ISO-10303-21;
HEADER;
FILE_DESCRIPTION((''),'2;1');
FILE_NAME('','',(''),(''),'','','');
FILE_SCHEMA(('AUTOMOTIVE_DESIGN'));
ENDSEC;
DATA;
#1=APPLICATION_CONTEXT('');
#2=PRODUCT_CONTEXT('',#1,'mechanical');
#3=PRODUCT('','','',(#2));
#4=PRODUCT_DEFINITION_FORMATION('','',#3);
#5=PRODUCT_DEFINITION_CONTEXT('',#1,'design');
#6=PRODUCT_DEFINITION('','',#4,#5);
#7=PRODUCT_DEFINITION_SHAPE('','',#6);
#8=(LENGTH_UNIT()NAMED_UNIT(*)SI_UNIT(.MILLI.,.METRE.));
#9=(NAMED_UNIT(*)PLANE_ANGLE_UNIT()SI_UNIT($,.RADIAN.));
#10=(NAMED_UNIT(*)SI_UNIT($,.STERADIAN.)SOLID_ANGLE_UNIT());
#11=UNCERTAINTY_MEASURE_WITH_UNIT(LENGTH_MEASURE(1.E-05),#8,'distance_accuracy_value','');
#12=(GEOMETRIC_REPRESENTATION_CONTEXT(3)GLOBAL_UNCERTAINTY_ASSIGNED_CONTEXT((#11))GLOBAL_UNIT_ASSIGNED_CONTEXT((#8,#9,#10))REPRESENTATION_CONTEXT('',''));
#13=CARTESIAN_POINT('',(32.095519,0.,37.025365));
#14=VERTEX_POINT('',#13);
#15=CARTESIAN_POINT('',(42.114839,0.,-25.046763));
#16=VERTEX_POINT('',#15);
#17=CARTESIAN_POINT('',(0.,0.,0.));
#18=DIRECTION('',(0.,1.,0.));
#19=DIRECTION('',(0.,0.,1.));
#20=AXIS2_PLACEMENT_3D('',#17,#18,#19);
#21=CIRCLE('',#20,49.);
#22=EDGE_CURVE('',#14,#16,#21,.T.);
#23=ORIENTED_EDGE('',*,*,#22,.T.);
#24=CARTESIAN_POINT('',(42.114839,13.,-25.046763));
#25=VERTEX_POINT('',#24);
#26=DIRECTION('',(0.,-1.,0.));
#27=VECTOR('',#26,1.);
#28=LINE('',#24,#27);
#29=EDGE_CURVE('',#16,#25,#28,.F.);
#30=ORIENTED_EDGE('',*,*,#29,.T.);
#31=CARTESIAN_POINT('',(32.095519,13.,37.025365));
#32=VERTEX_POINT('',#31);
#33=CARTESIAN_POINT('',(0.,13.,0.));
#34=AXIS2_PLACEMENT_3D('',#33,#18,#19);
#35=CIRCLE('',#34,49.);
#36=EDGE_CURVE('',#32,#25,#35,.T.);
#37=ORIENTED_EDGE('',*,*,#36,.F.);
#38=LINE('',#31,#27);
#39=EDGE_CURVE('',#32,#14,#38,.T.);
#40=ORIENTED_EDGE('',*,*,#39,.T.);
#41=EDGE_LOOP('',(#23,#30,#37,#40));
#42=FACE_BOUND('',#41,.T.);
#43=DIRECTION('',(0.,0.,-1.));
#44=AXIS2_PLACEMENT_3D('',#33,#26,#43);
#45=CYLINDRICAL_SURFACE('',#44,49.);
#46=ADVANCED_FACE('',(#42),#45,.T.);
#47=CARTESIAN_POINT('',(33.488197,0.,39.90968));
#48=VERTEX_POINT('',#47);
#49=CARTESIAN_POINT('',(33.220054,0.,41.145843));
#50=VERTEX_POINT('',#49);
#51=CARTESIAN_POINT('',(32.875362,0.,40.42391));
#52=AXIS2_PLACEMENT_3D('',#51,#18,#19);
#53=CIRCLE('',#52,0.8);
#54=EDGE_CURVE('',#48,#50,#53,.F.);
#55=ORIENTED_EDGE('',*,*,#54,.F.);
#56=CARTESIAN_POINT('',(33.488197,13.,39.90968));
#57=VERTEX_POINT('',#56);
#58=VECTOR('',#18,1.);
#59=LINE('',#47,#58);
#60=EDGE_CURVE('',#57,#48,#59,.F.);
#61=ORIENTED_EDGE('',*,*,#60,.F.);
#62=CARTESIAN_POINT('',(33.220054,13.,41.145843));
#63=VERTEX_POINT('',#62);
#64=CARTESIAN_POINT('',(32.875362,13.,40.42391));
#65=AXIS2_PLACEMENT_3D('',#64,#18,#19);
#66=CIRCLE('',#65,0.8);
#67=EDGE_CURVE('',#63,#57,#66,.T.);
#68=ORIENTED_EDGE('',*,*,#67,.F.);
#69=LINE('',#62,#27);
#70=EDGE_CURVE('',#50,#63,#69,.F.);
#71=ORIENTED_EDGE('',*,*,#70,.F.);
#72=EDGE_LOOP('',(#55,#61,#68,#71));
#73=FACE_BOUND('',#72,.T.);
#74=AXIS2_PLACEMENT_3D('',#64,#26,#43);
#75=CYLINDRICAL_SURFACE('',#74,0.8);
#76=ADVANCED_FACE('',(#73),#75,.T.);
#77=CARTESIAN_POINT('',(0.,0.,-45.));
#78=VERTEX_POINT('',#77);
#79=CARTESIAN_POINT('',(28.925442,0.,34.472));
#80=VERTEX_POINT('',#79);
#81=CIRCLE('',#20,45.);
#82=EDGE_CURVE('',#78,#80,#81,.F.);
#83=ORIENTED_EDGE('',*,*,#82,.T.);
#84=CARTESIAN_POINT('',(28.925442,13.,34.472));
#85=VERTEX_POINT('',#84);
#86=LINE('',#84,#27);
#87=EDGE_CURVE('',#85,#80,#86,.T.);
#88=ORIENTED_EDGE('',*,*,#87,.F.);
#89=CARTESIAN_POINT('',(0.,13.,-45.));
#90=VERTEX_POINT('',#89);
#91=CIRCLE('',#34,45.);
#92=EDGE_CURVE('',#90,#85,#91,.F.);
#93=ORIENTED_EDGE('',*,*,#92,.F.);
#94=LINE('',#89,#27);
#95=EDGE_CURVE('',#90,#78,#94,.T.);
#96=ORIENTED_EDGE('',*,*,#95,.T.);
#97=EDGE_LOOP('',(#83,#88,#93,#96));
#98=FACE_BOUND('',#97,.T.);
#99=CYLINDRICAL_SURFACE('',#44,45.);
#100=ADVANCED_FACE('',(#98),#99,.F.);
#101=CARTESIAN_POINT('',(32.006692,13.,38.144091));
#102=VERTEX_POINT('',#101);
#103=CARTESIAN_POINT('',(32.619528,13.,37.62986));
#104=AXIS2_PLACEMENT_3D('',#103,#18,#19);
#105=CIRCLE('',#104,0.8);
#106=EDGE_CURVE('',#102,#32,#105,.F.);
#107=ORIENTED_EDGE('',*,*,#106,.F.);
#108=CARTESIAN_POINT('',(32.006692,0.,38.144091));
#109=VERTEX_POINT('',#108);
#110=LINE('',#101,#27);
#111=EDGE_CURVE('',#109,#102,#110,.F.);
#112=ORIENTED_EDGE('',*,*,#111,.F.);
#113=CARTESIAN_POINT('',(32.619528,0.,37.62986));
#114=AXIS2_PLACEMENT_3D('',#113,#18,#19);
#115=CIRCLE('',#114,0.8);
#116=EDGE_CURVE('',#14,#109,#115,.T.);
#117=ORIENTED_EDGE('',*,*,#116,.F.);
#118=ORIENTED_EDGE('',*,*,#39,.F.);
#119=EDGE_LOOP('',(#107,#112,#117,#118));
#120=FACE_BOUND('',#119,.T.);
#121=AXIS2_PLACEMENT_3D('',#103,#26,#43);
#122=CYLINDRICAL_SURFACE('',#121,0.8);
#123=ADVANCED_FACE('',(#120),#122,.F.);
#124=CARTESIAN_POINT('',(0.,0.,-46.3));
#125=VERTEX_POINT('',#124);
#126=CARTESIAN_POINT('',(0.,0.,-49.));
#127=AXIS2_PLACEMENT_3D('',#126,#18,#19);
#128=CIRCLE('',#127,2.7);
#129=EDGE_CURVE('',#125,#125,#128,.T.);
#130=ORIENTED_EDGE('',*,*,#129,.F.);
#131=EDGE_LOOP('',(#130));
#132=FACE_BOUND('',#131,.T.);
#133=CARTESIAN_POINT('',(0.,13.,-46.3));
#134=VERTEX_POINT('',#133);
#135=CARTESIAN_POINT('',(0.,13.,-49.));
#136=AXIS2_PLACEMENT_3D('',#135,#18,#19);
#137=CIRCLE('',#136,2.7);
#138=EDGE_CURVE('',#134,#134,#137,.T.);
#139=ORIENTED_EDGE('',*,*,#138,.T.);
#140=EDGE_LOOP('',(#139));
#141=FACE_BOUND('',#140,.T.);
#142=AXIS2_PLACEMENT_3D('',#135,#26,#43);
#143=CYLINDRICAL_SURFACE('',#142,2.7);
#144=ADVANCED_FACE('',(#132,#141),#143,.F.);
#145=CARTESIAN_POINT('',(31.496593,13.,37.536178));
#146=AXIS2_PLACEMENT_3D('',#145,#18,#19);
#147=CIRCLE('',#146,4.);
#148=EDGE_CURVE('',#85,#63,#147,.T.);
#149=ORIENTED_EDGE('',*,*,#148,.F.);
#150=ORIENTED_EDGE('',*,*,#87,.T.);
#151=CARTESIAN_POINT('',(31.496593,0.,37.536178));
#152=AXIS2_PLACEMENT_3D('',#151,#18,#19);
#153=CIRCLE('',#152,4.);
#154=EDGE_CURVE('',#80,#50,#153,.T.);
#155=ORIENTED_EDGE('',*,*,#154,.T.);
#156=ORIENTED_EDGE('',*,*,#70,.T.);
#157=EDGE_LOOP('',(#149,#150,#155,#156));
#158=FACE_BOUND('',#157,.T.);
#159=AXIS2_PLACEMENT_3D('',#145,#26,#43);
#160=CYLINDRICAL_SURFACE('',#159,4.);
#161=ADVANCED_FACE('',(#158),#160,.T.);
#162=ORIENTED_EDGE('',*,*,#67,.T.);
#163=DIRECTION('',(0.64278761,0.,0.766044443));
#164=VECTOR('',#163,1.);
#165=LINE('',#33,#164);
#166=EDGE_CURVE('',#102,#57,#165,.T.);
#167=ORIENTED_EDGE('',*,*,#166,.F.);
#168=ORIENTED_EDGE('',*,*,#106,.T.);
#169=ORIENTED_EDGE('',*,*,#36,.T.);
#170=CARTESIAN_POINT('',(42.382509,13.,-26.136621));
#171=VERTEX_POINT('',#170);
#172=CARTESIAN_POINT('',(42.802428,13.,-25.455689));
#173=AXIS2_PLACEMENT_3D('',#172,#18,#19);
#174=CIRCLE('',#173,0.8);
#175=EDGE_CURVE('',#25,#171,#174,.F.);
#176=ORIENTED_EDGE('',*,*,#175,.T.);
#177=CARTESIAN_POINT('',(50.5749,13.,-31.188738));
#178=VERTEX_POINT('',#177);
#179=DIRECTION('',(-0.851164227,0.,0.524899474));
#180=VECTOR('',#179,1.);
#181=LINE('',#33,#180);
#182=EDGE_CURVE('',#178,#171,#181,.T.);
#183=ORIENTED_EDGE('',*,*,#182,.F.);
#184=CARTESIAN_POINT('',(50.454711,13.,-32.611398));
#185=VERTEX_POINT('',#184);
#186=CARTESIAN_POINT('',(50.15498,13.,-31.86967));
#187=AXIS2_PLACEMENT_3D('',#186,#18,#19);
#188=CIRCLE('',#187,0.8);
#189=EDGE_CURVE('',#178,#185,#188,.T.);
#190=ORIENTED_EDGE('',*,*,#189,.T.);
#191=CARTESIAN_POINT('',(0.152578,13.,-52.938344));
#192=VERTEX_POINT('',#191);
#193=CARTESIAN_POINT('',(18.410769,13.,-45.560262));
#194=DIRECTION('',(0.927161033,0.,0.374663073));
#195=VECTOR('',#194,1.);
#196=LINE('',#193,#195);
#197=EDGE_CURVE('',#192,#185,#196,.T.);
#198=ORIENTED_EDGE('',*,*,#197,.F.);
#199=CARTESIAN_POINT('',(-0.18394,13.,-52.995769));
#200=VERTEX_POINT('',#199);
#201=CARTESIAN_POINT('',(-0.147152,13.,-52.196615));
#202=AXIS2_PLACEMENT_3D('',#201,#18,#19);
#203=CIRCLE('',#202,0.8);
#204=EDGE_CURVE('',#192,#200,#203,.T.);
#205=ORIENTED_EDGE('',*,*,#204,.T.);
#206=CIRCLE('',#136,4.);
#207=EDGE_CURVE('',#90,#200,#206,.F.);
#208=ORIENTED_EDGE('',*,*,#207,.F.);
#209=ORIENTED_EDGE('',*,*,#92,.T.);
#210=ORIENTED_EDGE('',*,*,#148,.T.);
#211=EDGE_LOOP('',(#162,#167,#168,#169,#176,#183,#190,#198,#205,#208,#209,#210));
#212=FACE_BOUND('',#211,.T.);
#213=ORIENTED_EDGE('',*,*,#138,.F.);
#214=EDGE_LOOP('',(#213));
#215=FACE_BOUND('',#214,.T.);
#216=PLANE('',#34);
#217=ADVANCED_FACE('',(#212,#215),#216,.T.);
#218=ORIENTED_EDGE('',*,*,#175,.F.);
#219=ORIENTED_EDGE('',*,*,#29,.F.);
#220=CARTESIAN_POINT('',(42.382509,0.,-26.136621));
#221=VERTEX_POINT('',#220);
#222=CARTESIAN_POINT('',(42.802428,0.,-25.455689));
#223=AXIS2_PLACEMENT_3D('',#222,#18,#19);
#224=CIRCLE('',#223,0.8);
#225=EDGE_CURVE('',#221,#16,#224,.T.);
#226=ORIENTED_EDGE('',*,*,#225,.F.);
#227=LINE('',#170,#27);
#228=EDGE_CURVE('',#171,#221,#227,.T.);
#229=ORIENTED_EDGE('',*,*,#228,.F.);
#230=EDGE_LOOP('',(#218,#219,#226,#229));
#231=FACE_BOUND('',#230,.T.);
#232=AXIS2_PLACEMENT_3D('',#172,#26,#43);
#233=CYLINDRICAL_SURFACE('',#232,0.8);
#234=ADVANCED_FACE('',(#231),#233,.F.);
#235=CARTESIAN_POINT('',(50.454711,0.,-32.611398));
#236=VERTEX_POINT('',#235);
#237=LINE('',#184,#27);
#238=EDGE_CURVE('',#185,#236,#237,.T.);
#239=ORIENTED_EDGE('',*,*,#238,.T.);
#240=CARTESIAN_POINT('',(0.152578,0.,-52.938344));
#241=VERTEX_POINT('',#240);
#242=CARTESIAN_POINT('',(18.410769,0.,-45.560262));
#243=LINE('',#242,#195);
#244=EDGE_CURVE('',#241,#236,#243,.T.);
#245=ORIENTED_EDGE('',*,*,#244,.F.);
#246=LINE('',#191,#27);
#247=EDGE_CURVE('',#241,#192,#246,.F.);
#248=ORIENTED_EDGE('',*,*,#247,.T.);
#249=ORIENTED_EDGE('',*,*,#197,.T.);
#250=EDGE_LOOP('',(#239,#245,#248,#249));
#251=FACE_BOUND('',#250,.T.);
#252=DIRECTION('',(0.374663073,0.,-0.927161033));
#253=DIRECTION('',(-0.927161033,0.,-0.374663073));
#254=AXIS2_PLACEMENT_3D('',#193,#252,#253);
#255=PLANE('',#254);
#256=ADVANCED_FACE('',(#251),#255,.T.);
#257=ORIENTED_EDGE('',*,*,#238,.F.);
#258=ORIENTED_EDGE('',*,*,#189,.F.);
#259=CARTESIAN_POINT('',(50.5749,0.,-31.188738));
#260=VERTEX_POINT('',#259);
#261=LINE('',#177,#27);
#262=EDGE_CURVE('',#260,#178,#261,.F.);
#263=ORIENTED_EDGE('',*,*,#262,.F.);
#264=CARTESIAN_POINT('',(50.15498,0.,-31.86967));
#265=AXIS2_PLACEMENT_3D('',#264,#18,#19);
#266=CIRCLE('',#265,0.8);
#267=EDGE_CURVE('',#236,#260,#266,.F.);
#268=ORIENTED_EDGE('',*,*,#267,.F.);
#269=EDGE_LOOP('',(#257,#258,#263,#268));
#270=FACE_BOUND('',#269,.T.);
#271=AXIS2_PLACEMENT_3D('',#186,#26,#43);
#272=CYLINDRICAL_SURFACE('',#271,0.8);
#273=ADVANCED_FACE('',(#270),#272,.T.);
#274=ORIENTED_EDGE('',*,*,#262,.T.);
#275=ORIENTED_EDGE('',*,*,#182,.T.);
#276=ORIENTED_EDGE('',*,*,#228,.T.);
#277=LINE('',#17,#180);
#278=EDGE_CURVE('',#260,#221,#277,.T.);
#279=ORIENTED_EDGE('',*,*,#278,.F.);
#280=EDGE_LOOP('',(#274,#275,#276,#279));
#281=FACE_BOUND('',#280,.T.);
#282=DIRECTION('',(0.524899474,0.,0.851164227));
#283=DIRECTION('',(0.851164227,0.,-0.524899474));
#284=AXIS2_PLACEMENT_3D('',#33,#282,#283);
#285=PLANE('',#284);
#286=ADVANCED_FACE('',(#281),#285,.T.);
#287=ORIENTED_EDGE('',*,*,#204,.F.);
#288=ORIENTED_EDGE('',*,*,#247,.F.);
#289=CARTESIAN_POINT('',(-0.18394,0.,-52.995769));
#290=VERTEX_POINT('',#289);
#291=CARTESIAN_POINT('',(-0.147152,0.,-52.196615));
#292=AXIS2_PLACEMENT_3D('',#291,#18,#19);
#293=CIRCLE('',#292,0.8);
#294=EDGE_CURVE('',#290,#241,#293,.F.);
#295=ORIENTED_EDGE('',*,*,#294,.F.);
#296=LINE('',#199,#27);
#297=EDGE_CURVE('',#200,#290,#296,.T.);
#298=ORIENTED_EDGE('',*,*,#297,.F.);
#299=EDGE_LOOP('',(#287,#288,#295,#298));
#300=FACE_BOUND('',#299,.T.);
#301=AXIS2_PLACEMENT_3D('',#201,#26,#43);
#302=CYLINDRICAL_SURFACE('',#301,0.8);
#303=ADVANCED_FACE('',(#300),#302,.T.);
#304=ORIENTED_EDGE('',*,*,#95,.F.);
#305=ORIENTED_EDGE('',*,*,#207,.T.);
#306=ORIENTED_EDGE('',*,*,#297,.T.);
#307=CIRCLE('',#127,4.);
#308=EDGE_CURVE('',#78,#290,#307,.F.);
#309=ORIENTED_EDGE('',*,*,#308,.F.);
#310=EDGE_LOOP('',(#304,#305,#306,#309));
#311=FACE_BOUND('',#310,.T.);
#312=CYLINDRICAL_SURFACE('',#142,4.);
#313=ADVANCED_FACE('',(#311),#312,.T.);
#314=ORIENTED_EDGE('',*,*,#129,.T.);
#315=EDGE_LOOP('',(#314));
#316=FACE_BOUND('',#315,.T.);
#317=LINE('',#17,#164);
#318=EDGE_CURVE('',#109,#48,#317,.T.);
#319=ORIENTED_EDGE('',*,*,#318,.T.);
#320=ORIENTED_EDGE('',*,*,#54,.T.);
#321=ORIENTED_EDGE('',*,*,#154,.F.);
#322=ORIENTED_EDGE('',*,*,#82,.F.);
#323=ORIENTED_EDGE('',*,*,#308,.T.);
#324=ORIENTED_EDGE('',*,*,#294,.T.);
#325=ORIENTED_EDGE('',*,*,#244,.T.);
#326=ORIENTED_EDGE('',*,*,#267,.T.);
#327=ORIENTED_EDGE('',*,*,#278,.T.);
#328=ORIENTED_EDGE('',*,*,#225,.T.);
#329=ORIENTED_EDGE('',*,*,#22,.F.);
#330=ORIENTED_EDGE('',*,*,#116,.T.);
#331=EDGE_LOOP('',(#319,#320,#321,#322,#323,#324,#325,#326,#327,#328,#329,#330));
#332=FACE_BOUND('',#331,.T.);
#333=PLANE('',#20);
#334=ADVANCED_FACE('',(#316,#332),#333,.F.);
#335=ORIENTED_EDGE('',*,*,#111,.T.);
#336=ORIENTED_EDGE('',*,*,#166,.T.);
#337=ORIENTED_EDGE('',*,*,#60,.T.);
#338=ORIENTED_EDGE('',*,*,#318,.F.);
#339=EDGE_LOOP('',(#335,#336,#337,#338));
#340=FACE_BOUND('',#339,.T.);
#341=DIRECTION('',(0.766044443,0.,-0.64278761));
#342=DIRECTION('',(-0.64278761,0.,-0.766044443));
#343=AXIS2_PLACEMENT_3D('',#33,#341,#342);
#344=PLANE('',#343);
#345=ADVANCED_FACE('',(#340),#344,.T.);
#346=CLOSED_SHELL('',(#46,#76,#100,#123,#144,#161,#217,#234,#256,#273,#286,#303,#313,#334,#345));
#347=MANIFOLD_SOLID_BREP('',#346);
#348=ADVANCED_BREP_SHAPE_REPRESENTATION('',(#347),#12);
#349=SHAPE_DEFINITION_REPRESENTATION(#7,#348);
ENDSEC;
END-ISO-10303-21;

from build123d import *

# Parameters (mm, degrees)
SKETCH1_R           = 2.7
BOSS_EXTRUDE1_DEPTH = 13
FILLET1_R           = 0.8


with BuildPart() as part:
    # Sketch1 → Boss-Extrude1 (new body)
    with BuildSketch(Plane(origin=(0, 0, 0), x_dir=(1, 0, 0), z_dir=(0, 1, 0))):
        with BuildLine():
            Line((51.921017872, 32.018867925), (0, 53))
            ThreePointArc((0, 53), (-4, 49), (0, 45))
            ThreePointArc((0, 45), (42.286167935, 15.39090645), (28.925442436, -34.47199994))
            ThreePointArc((28.925442436, -34.47199994), (28.432415102, -40.107328152), (34.067743313, -40.600355485))
            Line((34.067743313, -40.600355485), (31.496592875, -37.536177713))
            ThreePointArc((31.496592875, -37.536177713), (48.373872913, -7.808227676), (41.707047143, 25.720074234))
            Line((41.707047143, 25.720074234), (51.921017872, 32.018867925))
        make_face()
        with Locations((0, 49)):
            Circle(SKETCH1_R, mode=Mode.SUBTRACT)
    extrude(amount=BOSS_EXTRUDE1_DEPTH)

    # Fillet1
    fillet1_edges = [part.edges().sort_by_distance(p)[0] for p in [
        (51.921017872, 6.5, -32.018867925),
        (41.707047143, 6.5, -25.720074234),
        (31.496592875, 6.5, 37.536177713),
        (34.067743313, 6.5, 40.600355485),
        (0, 6.5, -53),
    ]]
    fillet(fillet1_edges, radius=FILLET1_R)


solid = part.part
